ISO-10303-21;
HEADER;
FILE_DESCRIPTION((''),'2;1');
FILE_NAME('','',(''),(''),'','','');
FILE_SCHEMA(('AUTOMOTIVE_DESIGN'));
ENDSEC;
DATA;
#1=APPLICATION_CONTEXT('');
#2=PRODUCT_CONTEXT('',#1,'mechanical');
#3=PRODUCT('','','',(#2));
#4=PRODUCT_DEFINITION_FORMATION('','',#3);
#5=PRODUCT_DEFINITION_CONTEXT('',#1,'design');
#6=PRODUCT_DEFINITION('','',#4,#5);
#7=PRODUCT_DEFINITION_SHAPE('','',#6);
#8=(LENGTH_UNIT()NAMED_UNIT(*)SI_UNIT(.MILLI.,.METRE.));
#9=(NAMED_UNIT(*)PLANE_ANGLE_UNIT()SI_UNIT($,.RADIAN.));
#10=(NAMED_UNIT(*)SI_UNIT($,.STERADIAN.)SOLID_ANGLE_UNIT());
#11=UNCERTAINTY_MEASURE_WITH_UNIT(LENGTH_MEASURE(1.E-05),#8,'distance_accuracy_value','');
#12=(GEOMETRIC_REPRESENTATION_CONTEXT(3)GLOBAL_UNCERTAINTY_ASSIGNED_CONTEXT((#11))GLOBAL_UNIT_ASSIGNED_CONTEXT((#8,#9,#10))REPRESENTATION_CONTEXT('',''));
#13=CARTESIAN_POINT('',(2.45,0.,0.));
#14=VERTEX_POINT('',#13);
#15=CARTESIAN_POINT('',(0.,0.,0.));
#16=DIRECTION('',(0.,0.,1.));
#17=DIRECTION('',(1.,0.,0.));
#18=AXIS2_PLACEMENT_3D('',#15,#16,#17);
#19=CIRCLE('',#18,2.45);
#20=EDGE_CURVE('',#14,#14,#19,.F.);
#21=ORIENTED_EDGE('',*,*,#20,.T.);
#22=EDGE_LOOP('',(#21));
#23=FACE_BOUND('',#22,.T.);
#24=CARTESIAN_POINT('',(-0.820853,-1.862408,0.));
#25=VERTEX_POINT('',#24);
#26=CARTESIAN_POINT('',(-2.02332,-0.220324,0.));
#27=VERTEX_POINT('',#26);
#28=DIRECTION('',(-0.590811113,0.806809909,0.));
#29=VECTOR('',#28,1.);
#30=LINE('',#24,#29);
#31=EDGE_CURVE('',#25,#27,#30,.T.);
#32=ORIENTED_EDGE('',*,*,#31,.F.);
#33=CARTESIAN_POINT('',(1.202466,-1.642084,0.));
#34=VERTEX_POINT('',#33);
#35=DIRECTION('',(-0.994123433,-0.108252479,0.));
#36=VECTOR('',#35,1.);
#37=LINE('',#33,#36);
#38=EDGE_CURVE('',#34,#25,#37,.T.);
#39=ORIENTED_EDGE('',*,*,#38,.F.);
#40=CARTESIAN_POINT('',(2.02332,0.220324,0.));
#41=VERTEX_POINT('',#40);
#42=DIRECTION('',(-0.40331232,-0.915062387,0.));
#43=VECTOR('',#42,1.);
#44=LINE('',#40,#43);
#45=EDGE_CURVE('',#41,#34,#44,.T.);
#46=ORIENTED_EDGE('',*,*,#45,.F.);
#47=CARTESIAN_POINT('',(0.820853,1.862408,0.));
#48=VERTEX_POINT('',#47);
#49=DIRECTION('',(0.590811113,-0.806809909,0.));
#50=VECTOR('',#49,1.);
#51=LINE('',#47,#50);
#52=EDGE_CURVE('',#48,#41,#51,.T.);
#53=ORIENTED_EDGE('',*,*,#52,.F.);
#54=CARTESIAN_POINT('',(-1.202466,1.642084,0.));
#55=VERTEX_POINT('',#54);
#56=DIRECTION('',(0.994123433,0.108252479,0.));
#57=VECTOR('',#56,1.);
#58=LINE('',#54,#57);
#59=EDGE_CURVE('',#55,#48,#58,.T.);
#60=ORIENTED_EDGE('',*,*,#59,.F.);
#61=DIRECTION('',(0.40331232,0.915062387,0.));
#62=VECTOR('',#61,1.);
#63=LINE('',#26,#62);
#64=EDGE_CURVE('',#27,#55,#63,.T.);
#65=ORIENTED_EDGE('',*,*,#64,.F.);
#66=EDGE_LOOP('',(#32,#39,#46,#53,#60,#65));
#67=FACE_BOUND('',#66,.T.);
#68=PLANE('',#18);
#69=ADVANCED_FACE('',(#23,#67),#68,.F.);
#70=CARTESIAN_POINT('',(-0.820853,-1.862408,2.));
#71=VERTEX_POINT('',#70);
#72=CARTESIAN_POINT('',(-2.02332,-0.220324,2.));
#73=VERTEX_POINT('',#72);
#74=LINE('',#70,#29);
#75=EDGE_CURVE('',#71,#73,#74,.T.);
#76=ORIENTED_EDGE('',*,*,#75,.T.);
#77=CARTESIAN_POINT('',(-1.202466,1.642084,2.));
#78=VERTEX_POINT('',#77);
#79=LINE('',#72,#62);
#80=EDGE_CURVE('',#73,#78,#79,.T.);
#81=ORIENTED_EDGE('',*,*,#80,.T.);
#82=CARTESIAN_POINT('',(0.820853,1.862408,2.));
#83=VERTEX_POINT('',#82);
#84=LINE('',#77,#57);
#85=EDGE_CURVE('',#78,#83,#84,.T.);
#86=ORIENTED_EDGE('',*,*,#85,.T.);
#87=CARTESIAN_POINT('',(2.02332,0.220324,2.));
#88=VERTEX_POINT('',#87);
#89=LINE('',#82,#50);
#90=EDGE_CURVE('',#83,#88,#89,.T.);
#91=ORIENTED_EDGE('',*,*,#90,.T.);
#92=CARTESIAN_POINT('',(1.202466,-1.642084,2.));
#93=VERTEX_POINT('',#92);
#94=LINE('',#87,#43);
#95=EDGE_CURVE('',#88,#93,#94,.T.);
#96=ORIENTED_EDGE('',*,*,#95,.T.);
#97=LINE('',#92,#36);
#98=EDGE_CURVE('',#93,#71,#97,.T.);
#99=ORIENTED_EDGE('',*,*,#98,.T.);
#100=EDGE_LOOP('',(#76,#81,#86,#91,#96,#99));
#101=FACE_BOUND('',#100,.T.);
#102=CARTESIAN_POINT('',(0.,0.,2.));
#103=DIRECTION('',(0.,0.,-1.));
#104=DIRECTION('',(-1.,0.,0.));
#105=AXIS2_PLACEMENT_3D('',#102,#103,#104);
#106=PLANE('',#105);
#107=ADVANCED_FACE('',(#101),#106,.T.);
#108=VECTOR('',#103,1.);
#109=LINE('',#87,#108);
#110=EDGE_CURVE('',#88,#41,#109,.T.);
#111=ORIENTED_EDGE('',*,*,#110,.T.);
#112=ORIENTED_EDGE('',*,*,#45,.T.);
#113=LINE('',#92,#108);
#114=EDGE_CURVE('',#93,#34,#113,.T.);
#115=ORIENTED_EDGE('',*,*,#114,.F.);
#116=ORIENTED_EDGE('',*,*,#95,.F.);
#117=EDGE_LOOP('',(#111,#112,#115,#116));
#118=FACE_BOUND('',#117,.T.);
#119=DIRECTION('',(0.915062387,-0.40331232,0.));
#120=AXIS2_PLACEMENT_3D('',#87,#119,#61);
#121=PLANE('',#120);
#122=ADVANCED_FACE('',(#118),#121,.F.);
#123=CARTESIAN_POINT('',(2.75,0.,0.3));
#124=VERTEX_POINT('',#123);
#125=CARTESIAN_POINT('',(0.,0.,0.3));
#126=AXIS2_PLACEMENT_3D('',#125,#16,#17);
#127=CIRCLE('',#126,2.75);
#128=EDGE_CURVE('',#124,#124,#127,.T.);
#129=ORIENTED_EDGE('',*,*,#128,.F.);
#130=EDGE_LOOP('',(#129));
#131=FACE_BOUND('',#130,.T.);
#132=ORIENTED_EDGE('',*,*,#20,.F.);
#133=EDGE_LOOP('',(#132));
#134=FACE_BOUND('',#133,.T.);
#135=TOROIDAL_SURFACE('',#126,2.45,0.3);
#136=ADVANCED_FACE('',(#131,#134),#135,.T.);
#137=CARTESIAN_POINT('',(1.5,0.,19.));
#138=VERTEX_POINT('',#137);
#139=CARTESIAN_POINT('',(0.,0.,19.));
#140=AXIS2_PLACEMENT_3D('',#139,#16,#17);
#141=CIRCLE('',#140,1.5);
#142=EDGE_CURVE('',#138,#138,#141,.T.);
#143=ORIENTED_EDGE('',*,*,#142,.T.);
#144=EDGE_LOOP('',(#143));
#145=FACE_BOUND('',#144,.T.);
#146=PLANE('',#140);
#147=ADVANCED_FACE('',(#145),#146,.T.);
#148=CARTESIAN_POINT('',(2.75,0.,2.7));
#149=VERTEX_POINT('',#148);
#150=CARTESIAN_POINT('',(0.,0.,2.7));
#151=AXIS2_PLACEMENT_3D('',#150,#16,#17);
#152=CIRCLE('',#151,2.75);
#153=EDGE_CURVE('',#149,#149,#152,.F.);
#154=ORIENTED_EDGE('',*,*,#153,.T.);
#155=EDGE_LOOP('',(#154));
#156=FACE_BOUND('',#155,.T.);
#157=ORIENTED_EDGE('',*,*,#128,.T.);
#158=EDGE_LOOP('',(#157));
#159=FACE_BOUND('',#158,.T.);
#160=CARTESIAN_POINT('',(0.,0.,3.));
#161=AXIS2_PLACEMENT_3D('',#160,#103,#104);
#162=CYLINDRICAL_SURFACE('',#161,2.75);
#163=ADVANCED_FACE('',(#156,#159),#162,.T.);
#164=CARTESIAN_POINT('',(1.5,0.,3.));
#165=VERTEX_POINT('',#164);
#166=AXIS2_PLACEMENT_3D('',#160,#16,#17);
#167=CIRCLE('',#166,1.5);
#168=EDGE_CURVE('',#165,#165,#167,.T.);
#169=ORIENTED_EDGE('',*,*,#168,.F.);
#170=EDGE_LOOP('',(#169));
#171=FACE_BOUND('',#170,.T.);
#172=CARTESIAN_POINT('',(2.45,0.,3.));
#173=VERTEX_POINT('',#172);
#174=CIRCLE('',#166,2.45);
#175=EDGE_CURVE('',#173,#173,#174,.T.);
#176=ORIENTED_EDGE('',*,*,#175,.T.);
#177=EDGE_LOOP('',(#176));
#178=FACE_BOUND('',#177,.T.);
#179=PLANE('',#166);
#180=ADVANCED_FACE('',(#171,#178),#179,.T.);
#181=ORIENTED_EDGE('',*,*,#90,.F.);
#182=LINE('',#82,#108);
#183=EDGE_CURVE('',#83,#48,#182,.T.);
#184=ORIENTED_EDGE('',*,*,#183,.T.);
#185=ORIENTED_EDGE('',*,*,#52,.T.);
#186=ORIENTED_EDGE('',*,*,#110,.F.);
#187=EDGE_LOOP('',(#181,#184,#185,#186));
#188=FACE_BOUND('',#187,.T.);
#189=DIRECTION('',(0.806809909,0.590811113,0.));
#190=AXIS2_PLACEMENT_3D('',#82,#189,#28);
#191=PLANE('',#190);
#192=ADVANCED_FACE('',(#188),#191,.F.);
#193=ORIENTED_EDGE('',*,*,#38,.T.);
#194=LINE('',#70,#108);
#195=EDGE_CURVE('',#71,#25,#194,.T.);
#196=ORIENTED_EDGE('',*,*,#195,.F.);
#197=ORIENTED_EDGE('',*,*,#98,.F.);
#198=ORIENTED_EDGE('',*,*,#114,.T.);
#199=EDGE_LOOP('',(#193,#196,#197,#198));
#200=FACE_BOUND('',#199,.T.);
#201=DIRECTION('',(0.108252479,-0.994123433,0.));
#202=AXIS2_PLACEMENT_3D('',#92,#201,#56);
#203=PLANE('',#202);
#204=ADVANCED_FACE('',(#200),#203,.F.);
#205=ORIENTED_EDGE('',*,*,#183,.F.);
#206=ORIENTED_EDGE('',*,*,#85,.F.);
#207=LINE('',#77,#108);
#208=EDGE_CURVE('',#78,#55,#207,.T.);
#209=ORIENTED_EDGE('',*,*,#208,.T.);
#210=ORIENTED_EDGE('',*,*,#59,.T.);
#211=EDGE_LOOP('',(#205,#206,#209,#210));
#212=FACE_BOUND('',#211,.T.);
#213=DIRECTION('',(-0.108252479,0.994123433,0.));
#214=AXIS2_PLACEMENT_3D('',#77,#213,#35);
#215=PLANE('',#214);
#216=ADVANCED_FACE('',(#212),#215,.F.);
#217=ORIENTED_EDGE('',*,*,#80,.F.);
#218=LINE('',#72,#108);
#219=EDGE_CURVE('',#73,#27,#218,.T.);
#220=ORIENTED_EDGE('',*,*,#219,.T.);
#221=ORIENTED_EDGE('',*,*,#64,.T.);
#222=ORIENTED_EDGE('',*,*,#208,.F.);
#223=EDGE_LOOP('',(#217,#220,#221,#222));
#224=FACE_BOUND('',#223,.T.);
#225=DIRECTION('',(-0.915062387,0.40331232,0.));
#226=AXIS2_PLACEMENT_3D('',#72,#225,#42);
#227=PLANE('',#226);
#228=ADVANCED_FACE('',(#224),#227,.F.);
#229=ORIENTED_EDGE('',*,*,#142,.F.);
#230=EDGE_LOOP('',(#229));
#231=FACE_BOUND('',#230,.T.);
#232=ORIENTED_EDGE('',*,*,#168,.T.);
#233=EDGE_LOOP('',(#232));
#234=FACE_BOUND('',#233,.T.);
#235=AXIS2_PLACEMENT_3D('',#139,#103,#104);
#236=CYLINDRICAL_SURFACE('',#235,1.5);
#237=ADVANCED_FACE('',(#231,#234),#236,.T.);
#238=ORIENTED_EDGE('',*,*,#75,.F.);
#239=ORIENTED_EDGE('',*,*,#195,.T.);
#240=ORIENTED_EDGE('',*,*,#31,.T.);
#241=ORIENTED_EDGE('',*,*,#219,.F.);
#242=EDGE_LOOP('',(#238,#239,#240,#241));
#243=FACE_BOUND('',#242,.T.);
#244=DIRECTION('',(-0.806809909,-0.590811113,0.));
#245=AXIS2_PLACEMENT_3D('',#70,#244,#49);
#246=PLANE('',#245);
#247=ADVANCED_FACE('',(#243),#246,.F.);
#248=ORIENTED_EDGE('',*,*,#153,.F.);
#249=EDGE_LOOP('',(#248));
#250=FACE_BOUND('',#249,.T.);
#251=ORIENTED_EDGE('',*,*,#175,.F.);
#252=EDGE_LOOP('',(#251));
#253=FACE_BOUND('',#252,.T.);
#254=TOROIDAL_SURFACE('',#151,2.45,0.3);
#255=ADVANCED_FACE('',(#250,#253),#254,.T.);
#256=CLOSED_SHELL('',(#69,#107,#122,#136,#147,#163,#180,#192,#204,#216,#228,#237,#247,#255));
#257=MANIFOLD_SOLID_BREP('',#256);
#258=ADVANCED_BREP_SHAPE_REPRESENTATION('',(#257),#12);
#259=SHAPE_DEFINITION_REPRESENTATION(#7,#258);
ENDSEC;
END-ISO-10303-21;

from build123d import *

# Parameters (mm, degrees)
SKETCH_1_R          = 2.75
EXTRUDE_1_DEPTH     = 3
SKETCH_2_R          = 1.5
EXTRUDE_2_DEPTH     = 16
FILLET_1_R          = 0.3
CUT_EXTRUDE_1_DEPTH = 2


with BuildPart() as part:
    # 草图1 → 凸台-拉伸1 (new body)
    with BuildSketch(Plane.XY):
        Circle(SKETCH_1_R)
    extrude(amount=EXTRUDE_1_DEPTH)

    # 草图2 → 凸台-拉伸2 (add)
    with BuildSketch(Plane.XY.offset(3)):
        Circle(SKETCH_2_R)
    extrude(amount=EXTRUDE_2_DEPTH)

    # 圆角1
    fillet_1_edges = [part.edges().sort_by_distance(p)[0] for p in [
        (-2.75, 0, 0),
        (-2.75, 0, 3),
    ]]
    fillet(fillet_1_edges, radius=FILLET_1_R)

    # 草图3 → 切除-拉伸1 (cut)
    with BuildSketch(Plane(origin=(0, 0, 0), x_dir=(-1, 0, 0), z_dir=(0, 0, -1))):
        Polygon((-0.820853493, 1.862408161), (-2.023319526, 0.220324103), (-1.202466033, -1.642084058), (0.820853493, -1.862408161), (2.023319526, -0.220324103), (1.202466033, 1.642084058), align=None)
    extrude(amount=-CUT_EXTRUDE_1_DEPTH, mode=Mode.SUBTRACT)


solid = part.part
